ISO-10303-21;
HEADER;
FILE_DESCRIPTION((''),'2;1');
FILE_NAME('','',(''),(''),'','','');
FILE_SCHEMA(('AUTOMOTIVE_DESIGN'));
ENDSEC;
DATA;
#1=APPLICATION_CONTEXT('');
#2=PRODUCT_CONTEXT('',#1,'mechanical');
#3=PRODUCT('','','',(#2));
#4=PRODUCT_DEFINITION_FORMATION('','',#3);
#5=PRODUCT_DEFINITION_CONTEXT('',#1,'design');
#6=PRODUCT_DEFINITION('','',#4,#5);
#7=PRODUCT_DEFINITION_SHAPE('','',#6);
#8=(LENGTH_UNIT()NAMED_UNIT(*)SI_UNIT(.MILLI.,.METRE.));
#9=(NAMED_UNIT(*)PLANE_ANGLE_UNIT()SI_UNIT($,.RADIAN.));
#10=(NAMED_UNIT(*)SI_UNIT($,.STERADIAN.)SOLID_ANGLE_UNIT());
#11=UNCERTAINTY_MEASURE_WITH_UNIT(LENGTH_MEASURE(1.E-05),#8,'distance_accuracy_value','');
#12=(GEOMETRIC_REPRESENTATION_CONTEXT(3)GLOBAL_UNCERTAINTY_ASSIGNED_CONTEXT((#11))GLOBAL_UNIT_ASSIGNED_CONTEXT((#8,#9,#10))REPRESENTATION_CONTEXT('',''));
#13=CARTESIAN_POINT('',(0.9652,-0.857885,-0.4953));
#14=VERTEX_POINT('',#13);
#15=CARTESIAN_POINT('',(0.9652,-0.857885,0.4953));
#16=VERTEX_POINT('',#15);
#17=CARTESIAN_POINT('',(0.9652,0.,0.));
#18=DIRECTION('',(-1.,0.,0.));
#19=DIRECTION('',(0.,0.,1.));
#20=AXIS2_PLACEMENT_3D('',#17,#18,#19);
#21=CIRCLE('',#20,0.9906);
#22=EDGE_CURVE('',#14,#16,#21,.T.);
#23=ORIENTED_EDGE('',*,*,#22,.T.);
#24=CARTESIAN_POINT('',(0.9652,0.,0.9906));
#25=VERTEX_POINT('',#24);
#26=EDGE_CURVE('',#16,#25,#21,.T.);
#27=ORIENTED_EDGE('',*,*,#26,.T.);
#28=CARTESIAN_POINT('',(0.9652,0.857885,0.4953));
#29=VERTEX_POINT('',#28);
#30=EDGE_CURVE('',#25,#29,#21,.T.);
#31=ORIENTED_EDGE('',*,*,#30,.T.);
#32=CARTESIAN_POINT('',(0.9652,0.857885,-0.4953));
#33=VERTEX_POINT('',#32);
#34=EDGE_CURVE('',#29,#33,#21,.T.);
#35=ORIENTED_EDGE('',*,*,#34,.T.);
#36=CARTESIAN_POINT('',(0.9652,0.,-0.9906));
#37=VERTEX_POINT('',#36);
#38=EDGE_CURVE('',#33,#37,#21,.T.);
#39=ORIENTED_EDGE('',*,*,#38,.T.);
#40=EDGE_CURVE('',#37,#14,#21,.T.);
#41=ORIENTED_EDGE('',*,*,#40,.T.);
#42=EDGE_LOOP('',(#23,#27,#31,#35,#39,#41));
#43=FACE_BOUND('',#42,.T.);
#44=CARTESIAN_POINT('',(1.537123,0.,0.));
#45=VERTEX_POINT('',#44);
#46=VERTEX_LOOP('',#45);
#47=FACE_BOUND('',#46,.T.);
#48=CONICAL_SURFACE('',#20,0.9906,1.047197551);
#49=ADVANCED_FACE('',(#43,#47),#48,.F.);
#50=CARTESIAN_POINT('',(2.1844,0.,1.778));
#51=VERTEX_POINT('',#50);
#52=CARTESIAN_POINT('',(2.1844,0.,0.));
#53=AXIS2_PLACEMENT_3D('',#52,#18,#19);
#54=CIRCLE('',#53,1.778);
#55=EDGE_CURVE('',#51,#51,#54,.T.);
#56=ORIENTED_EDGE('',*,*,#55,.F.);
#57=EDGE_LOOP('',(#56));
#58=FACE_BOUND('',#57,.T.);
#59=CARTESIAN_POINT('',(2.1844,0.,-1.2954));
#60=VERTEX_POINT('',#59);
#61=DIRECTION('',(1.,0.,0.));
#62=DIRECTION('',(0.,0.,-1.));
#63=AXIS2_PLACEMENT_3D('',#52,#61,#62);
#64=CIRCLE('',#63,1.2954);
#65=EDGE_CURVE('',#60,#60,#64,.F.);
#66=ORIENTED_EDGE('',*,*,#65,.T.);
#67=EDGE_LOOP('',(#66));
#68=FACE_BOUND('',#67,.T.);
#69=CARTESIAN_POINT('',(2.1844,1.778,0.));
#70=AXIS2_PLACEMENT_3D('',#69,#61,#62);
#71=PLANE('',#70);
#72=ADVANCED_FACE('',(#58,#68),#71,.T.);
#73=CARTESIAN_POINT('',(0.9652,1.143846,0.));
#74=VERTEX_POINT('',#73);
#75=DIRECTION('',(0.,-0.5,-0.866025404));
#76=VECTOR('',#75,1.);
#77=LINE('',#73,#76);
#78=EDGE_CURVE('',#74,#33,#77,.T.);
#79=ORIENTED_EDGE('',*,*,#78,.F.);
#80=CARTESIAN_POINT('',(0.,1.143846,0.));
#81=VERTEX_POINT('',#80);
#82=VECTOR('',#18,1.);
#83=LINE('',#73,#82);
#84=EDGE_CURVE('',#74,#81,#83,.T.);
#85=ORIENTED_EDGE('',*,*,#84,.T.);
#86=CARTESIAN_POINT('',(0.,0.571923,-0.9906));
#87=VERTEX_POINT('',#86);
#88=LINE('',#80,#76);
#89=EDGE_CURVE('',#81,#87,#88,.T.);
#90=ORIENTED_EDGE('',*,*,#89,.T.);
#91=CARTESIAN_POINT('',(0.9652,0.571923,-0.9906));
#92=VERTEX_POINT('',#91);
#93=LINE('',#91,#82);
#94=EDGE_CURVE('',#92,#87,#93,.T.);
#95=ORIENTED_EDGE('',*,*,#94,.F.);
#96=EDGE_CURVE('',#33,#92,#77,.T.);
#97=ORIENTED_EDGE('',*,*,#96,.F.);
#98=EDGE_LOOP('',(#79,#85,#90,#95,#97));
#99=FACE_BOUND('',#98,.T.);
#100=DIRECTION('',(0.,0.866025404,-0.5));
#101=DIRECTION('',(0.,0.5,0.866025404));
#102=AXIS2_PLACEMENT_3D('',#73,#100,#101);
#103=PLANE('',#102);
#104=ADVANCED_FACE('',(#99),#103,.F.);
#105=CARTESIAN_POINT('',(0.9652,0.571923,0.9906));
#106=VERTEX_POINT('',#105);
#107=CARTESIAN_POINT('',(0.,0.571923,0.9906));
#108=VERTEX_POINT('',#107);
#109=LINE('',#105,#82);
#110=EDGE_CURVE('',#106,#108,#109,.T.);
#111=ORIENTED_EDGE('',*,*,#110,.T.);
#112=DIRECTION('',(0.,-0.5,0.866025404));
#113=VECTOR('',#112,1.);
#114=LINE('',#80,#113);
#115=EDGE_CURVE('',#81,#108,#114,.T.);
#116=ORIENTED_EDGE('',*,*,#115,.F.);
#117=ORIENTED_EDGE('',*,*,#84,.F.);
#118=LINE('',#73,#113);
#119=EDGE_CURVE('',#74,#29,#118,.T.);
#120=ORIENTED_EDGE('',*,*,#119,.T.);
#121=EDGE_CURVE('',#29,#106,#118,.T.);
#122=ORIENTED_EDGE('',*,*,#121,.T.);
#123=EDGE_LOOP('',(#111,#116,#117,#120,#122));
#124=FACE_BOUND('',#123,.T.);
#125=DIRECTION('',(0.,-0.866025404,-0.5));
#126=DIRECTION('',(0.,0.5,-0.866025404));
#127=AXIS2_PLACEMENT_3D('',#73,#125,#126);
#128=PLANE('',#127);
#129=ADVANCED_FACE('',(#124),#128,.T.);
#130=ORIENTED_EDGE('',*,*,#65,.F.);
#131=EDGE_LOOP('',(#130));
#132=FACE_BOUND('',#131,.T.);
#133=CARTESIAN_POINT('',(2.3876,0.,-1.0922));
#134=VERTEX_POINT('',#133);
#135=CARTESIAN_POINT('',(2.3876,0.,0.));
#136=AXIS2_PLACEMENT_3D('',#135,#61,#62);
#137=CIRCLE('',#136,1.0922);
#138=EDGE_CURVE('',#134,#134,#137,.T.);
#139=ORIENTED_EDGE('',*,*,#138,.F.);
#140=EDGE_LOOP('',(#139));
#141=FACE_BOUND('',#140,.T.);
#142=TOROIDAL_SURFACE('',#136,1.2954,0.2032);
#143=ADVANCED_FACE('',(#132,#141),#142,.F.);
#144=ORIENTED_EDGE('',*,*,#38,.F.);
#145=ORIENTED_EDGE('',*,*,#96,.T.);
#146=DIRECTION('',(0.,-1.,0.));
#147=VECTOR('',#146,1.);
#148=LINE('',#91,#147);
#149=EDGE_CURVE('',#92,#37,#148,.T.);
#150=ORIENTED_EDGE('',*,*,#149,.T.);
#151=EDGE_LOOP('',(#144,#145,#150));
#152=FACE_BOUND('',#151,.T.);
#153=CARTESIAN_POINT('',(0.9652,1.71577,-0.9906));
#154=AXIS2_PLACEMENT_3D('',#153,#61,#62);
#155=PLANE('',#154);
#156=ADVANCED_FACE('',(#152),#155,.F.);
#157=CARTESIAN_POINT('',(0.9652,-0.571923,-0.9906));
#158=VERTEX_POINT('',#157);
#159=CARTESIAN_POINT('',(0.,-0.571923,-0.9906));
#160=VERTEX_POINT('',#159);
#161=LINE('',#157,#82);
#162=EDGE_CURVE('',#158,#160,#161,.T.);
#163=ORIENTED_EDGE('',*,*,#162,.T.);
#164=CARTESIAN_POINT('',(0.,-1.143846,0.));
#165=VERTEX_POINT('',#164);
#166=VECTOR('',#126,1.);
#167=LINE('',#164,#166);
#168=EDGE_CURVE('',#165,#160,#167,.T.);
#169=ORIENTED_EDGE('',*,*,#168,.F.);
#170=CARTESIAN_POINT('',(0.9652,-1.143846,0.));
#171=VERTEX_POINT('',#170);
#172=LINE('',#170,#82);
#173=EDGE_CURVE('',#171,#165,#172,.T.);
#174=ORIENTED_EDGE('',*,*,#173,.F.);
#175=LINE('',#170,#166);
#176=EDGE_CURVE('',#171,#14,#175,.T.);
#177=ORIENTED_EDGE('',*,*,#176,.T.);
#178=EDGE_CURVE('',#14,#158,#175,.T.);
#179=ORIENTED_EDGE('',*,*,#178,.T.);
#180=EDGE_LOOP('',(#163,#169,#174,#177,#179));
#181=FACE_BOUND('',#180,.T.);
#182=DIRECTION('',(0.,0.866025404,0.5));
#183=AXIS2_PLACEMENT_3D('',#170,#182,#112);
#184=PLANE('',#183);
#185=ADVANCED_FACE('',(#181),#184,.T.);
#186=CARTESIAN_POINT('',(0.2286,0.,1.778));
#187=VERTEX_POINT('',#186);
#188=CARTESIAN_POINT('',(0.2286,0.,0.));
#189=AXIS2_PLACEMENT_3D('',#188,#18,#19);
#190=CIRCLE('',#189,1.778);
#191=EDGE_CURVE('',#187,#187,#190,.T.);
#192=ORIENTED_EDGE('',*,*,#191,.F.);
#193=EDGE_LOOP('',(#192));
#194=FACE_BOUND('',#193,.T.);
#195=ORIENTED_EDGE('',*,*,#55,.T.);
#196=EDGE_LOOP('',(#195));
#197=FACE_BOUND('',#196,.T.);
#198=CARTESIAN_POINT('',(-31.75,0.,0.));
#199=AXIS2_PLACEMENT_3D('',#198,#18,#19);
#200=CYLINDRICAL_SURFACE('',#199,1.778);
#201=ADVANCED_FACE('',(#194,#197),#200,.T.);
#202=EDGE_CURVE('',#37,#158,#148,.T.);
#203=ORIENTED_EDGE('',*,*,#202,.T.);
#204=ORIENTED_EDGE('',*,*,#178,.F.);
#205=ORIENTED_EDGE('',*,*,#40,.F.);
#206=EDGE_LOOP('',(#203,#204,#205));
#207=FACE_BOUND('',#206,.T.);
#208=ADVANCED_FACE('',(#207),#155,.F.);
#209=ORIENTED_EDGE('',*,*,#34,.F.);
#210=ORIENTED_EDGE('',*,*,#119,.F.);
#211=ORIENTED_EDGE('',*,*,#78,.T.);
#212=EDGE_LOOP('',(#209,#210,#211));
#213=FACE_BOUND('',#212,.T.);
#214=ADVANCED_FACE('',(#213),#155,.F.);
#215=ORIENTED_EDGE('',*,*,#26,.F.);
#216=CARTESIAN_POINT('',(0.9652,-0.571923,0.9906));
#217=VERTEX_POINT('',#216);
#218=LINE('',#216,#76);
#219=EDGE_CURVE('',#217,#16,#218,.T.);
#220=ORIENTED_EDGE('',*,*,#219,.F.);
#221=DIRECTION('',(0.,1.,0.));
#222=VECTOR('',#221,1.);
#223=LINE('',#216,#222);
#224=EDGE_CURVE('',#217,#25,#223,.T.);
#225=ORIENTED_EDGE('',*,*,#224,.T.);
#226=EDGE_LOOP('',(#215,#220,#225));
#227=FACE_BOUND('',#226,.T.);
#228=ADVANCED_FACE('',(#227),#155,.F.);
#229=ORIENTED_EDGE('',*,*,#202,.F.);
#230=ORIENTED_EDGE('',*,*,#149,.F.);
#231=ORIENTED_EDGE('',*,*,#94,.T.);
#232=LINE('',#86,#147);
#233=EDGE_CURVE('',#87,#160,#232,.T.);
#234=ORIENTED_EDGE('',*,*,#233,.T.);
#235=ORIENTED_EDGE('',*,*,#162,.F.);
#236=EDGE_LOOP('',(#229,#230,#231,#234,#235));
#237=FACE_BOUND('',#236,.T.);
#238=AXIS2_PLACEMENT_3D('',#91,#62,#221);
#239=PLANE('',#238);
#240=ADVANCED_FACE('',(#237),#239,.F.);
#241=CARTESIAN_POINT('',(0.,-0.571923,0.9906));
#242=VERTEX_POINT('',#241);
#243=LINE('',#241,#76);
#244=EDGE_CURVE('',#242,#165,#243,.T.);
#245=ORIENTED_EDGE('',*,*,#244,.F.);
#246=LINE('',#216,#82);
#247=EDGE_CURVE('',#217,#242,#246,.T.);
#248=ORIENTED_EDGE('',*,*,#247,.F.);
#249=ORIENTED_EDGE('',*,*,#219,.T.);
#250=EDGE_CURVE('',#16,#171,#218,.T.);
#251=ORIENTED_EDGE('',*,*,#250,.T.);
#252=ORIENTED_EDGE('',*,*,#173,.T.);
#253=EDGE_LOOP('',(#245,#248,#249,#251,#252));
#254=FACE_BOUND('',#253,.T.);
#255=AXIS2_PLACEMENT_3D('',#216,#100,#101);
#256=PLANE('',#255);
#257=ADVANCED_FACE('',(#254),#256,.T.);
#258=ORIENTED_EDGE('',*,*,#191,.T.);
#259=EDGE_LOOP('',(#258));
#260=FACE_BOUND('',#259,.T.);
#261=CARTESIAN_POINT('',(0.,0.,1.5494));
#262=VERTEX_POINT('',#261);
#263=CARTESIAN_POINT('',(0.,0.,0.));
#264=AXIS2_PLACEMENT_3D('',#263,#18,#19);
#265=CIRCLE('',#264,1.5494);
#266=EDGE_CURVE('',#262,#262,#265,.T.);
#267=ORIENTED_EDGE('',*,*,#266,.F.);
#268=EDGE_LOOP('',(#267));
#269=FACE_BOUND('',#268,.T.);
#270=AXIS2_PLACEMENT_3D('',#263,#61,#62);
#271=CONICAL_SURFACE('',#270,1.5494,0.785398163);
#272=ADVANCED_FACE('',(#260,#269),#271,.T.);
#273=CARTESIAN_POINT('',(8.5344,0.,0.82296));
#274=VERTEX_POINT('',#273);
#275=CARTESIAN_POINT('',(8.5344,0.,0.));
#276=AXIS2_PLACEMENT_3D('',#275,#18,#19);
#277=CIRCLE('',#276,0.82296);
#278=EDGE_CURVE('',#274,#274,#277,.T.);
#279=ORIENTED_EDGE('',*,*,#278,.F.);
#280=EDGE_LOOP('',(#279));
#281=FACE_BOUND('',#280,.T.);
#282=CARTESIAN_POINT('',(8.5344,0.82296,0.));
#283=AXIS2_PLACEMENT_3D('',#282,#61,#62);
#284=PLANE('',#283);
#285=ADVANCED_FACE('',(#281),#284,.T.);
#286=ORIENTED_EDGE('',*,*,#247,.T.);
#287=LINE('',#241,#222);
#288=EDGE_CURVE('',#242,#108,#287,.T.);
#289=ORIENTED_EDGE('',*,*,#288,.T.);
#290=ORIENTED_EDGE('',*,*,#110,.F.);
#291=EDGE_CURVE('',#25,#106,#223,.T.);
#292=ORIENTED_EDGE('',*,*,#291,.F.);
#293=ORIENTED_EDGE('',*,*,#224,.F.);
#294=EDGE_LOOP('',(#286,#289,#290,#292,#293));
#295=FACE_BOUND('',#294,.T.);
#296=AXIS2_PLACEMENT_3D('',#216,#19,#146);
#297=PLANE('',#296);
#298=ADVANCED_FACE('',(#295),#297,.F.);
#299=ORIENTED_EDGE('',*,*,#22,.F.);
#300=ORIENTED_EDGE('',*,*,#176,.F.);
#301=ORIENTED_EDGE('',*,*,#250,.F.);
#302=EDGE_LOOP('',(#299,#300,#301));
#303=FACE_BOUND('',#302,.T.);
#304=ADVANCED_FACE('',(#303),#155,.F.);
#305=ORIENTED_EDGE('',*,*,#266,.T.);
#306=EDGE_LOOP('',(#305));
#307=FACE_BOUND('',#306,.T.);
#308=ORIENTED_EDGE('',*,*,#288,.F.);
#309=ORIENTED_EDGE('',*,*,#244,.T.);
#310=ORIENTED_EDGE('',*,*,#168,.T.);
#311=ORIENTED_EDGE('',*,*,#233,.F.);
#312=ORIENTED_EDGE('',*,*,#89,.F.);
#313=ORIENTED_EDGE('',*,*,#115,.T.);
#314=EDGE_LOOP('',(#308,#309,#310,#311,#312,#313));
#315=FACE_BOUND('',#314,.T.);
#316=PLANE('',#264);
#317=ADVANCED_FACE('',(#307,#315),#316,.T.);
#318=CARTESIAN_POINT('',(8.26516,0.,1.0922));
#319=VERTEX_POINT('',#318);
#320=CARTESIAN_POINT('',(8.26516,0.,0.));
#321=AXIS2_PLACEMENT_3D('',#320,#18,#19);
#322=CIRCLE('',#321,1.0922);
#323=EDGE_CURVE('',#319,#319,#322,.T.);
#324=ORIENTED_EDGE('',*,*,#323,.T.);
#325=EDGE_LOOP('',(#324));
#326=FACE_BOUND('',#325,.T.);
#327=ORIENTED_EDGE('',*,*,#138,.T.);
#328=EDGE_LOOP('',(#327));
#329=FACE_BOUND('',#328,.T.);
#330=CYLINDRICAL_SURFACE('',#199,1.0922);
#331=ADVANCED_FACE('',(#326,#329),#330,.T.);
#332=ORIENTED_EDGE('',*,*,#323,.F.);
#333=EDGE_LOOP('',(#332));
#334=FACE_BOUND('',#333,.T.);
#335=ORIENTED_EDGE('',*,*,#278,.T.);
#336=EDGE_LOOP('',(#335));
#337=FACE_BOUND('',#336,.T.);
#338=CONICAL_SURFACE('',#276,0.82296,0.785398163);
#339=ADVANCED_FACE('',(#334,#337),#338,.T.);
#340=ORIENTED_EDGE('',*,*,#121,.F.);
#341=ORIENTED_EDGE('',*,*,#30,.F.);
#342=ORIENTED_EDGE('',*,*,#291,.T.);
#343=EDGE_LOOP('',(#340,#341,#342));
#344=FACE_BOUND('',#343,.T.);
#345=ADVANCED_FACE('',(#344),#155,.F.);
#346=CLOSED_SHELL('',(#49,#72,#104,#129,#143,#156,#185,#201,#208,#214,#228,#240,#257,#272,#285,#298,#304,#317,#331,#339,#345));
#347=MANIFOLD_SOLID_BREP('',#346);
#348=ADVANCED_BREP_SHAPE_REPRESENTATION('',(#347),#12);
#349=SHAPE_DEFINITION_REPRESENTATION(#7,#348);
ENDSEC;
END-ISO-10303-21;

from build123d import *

# Parameters (mm, degrees)
FILLET1_R   = 0.2032
HEX_2_DEPTH = 0.9652


with BuildPart() as part:
    # BodySke → Base-Revolve (revolve)
    with BuildSketch(Plane.XY, mode=Mode.PRIVATE) as base_revolve_sk:
        Polygon((0, 0), (0, 1.5494), (0.2286, 1.778), (2.1844, 1.778), (2.1844, 1.0922), (8.26516, 1.0922), (8.5344, 0.82296), (8.5344, 0), align=None)
    revolve(base_revolve_sk.sketch.rotate(Axis((-31.75, 0, 0), (1, 0, 0)), 90), axis=Axis((-31.75, 0, 0), (1, 0, 0)))

    # Fillet1
    fillet1_edges = [part.edges().sort_by_distance(p)[0] for p in [
        (2.1844, 0, -1.0922),
    ]]
    fillet(fillet1_edges, radius=FILLET1_R)

    # Sketch2 → Hex-PreBroach (revolve, cut)
    with BuildSketch(Plane.XY, mode=Mode.PRIVATE) as hex_prebroach_sk:
        Polygon((0, 0.9906), (0.9652, 0.9906), (1.537123177, 0), (0, 0), align=None)
    revolve(hex_prebroach_sk.sketch.rotate(Axis((0, 0, 0), (1, 0, 0)), 90), axis=Axis((0, 0, 0), (1, 0, 0)), mode=Mode.SUBTRACT)

    # Sketch3 → Hex 2 (cut)
    with BuildSketch(Plane(origin=(0, 0, 0), x_dir=(0, 0.500000000000001, 0.866025403784438), z_dir=(-1, 0, 0))):
        Polygon((0.571923177, 0.9906), (-0.571923177, 0.9906), (-1.143846353, 0), (-0.571923177, -0.9906), (0.571923177, -0.9906), (1.143846353, 0), align=None)
    extrude(amount=-HEX_2_DEPTH, mode=Mode.SUBTRACT)


solid = part.part
